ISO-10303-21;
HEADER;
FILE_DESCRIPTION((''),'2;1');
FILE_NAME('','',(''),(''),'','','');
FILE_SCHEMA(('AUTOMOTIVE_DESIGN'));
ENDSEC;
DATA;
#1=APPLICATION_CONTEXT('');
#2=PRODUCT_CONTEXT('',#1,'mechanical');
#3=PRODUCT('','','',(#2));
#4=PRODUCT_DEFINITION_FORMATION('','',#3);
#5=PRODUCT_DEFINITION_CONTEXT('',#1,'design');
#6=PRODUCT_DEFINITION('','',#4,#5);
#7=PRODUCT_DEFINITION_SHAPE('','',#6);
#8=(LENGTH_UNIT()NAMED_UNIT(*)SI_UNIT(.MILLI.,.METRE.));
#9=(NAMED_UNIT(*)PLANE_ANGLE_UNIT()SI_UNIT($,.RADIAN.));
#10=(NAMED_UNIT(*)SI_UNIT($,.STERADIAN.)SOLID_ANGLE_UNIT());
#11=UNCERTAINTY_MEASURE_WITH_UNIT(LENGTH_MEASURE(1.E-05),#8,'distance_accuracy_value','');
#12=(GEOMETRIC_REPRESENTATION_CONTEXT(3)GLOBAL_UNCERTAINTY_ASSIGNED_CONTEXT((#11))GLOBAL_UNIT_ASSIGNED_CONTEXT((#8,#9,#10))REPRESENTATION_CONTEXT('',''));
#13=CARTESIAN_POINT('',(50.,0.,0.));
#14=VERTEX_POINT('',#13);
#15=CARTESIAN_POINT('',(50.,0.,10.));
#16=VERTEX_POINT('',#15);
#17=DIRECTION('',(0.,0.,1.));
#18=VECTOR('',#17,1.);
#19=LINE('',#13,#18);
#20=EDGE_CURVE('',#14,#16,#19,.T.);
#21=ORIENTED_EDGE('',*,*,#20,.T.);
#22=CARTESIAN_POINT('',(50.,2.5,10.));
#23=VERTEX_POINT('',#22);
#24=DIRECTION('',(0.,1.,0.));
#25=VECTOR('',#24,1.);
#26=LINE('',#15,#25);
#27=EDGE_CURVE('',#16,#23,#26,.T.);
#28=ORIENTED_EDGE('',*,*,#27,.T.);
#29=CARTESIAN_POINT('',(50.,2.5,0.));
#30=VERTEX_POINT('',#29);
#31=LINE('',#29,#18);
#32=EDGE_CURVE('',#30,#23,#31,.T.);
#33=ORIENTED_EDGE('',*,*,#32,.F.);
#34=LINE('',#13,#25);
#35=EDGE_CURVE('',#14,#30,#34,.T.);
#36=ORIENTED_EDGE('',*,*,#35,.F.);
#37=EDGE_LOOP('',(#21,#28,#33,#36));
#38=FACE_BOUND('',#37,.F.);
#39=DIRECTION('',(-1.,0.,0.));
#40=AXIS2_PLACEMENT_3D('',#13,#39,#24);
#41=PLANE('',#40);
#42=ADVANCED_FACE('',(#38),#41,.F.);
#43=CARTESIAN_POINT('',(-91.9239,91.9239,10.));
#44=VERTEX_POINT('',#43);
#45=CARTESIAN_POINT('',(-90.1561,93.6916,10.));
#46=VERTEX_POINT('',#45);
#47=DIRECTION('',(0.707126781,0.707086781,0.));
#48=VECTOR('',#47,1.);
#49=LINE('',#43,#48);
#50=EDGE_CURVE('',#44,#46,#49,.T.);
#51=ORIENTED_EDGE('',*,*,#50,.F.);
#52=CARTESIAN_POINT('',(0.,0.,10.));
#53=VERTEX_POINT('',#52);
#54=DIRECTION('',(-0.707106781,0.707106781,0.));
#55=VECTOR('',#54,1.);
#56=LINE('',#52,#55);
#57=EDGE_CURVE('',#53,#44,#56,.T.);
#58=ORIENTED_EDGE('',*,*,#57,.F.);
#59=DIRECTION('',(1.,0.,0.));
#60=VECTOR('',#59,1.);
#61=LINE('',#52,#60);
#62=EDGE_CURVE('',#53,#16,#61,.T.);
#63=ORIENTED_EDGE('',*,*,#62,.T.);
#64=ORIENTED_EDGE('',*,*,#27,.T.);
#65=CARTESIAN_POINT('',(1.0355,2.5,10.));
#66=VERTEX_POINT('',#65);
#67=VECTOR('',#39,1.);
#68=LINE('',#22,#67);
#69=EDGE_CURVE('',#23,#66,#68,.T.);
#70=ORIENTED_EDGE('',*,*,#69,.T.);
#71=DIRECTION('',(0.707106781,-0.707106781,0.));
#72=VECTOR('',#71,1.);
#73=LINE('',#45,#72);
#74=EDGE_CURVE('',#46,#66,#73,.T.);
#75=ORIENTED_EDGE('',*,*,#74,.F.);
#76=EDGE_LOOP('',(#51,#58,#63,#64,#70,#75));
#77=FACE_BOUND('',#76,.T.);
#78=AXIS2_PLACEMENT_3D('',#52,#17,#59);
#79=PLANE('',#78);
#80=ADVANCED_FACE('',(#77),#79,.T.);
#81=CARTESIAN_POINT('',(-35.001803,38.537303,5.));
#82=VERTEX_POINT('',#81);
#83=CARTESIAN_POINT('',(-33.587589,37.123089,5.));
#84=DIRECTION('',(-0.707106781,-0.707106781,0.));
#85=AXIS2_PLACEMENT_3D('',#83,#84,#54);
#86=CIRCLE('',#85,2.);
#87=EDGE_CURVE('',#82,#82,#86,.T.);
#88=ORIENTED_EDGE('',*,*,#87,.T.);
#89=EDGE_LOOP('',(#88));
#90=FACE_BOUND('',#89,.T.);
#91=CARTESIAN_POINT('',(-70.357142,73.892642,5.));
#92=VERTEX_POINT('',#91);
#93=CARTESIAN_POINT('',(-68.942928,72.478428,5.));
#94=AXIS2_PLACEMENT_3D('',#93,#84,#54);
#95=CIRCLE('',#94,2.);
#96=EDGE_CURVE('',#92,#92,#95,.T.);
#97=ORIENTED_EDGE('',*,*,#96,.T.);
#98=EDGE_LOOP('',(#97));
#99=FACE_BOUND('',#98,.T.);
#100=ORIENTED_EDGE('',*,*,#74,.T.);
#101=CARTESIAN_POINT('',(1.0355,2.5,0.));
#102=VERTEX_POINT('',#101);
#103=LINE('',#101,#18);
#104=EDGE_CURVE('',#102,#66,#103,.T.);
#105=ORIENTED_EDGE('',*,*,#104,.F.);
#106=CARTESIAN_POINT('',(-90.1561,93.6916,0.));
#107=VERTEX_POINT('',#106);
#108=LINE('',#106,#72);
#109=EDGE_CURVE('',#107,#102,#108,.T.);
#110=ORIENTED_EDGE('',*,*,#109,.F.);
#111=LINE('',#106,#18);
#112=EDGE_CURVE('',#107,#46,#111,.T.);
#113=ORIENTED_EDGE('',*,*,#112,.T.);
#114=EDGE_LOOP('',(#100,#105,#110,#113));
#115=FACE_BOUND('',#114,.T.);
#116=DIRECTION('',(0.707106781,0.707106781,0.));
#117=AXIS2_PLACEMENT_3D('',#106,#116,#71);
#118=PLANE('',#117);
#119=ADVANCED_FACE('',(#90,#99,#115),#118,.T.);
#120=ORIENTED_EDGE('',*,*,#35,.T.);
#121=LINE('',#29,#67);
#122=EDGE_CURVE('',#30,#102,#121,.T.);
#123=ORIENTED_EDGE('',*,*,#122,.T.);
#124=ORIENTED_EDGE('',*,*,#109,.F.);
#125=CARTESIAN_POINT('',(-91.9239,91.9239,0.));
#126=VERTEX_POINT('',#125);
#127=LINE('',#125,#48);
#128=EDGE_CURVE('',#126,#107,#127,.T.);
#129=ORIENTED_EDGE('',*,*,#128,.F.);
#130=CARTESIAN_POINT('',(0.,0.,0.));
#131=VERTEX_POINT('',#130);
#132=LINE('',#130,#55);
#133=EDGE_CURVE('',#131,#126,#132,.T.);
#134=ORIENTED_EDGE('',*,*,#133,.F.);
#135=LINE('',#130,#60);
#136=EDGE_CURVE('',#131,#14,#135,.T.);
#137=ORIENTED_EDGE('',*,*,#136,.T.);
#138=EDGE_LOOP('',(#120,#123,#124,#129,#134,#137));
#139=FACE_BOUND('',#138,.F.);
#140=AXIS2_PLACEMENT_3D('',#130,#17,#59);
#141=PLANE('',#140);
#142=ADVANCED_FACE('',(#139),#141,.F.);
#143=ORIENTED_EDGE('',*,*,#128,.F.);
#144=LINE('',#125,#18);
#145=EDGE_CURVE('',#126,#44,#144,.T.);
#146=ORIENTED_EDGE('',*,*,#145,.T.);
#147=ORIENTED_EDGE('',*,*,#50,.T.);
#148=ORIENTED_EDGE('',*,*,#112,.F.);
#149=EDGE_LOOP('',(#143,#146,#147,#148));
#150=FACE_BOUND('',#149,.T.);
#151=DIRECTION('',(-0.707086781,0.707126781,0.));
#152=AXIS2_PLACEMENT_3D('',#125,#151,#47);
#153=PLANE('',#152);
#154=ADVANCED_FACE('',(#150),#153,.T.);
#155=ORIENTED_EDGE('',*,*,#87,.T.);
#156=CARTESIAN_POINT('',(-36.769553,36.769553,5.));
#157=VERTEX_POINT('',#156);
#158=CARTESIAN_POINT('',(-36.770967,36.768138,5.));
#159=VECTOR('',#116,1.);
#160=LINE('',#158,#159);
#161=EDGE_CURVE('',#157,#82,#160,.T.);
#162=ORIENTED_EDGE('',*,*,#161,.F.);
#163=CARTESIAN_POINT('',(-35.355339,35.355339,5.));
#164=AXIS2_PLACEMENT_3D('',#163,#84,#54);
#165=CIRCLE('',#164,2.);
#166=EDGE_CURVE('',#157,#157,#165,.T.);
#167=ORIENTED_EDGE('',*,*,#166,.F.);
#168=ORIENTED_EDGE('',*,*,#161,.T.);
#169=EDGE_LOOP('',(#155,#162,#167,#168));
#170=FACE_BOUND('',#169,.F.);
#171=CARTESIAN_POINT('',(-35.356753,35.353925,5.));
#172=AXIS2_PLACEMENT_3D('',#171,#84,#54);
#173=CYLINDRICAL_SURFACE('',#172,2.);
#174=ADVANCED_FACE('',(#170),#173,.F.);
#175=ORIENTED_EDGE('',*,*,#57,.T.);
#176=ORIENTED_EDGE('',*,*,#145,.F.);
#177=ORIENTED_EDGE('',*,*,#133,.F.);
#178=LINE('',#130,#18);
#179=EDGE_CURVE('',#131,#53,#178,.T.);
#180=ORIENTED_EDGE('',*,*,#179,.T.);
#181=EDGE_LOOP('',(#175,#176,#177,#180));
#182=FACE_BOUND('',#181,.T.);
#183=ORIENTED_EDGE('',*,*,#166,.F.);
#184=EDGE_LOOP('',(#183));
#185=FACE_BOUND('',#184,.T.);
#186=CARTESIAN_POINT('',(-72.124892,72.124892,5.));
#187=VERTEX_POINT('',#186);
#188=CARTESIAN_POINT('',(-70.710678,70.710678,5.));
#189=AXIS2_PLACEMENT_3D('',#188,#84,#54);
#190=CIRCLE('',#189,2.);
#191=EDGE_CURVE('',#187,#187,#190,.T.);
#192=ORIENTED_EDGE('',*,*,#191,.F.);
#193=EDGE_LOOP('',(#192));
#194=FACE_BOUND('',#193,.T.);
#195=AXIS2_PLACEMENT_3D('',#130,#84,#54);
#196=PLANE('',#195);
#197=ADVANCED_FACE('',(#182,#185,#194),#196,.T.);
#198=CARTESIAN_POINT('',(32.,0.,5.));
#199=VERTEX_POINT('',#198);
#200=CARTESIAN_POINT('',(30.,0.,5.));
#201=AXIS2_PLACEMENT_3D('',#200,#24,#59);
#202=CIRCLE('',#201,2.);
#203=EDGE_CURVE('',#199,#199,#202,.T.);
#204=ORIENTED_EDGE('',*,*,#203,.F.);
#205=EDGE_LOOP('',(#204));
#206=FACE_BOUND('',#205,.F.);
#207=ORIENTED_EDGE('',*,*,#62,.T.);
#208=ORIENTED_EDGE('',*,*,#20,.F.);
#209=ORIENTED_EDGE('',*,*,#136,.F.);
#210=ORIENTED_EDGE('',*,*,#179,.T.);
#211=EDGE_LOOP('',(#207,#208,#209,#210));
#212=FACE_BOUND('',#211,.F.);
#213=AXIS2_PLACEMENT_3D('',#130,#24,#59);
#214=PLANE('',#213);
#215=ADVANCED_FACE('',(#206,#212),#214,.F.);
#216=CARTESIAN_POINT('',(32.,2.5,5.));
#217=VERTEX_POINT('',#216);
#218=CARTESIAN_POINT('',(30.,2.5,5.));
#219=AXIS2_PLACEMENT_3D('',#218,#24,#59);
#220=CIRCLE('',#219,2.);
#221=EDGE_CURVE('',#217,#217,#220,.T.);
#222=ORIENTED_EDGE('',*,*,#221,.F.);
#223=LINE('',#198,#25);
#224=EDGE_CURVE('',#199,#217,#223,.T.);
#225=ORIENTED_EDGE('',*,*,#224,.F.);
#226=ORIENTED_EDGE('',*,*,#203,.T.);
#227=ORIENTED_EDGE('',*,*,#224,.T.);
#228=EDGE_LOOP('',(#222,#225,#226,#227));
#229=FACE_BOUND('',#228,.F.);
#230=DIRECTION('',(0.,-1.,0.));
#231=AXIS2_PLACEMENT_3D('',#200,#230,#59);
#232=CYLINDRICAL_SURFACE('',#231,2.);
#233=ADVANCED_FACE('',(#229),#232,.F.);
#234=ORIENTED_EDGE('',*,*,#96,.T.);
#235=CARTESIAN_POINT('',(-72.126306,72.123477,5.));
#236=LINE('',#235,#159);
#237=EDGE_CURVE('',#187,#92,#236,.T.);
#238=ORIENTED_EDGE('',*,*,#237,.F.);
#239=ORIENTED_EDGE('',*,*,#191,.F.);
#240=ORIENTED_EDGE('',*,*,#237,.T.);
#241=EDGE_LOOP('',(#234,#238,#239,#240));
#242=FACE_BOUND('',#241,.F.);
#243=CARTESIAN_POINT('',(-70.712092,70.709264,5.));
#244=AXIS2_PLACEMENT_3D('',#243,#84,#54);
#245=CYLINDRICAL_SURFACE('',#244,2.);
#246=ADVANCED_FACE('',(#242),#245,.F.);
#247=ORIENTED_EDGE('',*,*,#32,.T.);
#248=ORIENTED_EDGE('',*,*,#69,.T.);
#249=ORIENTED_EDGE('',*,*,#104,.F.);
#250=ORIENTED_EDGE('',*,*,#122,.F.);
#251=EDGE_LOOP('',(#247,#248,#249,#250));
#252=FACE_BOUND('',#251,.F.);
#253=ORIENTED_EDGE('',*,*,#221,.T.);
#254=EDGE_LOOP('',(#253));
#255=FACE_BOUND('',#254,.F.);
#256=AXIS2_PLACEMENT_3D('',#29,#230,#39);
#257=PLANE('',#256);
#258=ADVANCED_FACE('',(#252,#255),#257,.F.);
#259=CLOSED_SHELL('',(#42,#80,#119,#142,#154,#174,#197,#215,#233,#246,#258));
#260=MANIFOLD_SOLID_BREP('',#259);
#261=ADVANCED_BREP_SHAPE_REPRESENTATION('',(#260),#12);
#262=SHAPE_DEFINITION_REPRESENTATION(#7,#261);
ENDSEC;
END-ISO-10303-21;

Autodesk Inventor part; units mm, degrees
ref_plane "YZ Plane" through (0, 0, 0) normal (1, 0, 0) x (0, 1, 0)
ref_plane "XZ Plane" through (0, 0, 0) normal (0, 1, 0) x (-1, 0, 0)
ref_plane "XY Plane" through (0, 0, 0) normal (0, 0, 1) x (1, 0, 0)
sketch "Sketch1" plane through (0, 0, 0) normal (0, 0, 1) x (1, 0, 0)
  line L0 (0, 0) -> (50, 0)
  line L1 (0, 0) -> (-91.9239, 91.9239)
  line L2 (0, 0) -> (130, 0) construction
  line L3 (-91.9239, 91.9239) -> (-90.1561, 93.6916)
  line L4 (-91.9239, 91.9239) -> (-89.4239, 91.9239) construction
  line L5 (-90.1561, 93.6916) -> (1.0355, 2.5)
  line L6 (50, 0) -> (50, 2.5)
  line L7 (50, 2.5) -> (1.0355, 2.5)
  dimension "d0" = 50
  dimension "d1" = 130
  dimension "d2" = 135
  dimension "d3" = 2.5
  dimension "d4" = 45
  dimension "d5" = 90
  dimension "d6" = 2.5
extrude "Extrusion1" add sketch "Sketch1" along normal blind 10
sketch "Sketch2" plane through (0, 0, 0) normal (0, -1, 0) x (1, 0, 0)
  line L0 (0, 0) -> (0, 10) projected
  line L1 (0, 5) -> (30, 5)
  circle A0 centre (30, 5) radius 2
  dimension "d9" = 30
  dimension "d10" = 4
extrude "Extrusion2" cut sketch "Sketch2" against normal blind 10
sketch "Sketch3" plane through (0, 0, 10) normal (-0.7071, -0.7071, 0) x (-0.7071, 0.7071, 0)
  line L0 (0, 10) -> (0, 0) projected
  line L1 (0, 5) -> (50, 5)
  line L2 (0, 5) -> (50, 5) construction
  line L3 (50, 5) -> (100, 5)
  line L4 (50, 5) -> (100, 5) construction
  circle A0 centre (100, 5) radius 2
  circle A1 centre (50, 5) radius 2
  dimension "d13" = 50
  dimension "d14" = 0
  dimension "d15" = 50
  dimension "d16" = 0
  dimension "d17" = 4
  dimension "d18" = 4
extrude "Extrusion3" cut sketch "Sketch3" against normal blind 10
properties part number "ChassisClamp"
